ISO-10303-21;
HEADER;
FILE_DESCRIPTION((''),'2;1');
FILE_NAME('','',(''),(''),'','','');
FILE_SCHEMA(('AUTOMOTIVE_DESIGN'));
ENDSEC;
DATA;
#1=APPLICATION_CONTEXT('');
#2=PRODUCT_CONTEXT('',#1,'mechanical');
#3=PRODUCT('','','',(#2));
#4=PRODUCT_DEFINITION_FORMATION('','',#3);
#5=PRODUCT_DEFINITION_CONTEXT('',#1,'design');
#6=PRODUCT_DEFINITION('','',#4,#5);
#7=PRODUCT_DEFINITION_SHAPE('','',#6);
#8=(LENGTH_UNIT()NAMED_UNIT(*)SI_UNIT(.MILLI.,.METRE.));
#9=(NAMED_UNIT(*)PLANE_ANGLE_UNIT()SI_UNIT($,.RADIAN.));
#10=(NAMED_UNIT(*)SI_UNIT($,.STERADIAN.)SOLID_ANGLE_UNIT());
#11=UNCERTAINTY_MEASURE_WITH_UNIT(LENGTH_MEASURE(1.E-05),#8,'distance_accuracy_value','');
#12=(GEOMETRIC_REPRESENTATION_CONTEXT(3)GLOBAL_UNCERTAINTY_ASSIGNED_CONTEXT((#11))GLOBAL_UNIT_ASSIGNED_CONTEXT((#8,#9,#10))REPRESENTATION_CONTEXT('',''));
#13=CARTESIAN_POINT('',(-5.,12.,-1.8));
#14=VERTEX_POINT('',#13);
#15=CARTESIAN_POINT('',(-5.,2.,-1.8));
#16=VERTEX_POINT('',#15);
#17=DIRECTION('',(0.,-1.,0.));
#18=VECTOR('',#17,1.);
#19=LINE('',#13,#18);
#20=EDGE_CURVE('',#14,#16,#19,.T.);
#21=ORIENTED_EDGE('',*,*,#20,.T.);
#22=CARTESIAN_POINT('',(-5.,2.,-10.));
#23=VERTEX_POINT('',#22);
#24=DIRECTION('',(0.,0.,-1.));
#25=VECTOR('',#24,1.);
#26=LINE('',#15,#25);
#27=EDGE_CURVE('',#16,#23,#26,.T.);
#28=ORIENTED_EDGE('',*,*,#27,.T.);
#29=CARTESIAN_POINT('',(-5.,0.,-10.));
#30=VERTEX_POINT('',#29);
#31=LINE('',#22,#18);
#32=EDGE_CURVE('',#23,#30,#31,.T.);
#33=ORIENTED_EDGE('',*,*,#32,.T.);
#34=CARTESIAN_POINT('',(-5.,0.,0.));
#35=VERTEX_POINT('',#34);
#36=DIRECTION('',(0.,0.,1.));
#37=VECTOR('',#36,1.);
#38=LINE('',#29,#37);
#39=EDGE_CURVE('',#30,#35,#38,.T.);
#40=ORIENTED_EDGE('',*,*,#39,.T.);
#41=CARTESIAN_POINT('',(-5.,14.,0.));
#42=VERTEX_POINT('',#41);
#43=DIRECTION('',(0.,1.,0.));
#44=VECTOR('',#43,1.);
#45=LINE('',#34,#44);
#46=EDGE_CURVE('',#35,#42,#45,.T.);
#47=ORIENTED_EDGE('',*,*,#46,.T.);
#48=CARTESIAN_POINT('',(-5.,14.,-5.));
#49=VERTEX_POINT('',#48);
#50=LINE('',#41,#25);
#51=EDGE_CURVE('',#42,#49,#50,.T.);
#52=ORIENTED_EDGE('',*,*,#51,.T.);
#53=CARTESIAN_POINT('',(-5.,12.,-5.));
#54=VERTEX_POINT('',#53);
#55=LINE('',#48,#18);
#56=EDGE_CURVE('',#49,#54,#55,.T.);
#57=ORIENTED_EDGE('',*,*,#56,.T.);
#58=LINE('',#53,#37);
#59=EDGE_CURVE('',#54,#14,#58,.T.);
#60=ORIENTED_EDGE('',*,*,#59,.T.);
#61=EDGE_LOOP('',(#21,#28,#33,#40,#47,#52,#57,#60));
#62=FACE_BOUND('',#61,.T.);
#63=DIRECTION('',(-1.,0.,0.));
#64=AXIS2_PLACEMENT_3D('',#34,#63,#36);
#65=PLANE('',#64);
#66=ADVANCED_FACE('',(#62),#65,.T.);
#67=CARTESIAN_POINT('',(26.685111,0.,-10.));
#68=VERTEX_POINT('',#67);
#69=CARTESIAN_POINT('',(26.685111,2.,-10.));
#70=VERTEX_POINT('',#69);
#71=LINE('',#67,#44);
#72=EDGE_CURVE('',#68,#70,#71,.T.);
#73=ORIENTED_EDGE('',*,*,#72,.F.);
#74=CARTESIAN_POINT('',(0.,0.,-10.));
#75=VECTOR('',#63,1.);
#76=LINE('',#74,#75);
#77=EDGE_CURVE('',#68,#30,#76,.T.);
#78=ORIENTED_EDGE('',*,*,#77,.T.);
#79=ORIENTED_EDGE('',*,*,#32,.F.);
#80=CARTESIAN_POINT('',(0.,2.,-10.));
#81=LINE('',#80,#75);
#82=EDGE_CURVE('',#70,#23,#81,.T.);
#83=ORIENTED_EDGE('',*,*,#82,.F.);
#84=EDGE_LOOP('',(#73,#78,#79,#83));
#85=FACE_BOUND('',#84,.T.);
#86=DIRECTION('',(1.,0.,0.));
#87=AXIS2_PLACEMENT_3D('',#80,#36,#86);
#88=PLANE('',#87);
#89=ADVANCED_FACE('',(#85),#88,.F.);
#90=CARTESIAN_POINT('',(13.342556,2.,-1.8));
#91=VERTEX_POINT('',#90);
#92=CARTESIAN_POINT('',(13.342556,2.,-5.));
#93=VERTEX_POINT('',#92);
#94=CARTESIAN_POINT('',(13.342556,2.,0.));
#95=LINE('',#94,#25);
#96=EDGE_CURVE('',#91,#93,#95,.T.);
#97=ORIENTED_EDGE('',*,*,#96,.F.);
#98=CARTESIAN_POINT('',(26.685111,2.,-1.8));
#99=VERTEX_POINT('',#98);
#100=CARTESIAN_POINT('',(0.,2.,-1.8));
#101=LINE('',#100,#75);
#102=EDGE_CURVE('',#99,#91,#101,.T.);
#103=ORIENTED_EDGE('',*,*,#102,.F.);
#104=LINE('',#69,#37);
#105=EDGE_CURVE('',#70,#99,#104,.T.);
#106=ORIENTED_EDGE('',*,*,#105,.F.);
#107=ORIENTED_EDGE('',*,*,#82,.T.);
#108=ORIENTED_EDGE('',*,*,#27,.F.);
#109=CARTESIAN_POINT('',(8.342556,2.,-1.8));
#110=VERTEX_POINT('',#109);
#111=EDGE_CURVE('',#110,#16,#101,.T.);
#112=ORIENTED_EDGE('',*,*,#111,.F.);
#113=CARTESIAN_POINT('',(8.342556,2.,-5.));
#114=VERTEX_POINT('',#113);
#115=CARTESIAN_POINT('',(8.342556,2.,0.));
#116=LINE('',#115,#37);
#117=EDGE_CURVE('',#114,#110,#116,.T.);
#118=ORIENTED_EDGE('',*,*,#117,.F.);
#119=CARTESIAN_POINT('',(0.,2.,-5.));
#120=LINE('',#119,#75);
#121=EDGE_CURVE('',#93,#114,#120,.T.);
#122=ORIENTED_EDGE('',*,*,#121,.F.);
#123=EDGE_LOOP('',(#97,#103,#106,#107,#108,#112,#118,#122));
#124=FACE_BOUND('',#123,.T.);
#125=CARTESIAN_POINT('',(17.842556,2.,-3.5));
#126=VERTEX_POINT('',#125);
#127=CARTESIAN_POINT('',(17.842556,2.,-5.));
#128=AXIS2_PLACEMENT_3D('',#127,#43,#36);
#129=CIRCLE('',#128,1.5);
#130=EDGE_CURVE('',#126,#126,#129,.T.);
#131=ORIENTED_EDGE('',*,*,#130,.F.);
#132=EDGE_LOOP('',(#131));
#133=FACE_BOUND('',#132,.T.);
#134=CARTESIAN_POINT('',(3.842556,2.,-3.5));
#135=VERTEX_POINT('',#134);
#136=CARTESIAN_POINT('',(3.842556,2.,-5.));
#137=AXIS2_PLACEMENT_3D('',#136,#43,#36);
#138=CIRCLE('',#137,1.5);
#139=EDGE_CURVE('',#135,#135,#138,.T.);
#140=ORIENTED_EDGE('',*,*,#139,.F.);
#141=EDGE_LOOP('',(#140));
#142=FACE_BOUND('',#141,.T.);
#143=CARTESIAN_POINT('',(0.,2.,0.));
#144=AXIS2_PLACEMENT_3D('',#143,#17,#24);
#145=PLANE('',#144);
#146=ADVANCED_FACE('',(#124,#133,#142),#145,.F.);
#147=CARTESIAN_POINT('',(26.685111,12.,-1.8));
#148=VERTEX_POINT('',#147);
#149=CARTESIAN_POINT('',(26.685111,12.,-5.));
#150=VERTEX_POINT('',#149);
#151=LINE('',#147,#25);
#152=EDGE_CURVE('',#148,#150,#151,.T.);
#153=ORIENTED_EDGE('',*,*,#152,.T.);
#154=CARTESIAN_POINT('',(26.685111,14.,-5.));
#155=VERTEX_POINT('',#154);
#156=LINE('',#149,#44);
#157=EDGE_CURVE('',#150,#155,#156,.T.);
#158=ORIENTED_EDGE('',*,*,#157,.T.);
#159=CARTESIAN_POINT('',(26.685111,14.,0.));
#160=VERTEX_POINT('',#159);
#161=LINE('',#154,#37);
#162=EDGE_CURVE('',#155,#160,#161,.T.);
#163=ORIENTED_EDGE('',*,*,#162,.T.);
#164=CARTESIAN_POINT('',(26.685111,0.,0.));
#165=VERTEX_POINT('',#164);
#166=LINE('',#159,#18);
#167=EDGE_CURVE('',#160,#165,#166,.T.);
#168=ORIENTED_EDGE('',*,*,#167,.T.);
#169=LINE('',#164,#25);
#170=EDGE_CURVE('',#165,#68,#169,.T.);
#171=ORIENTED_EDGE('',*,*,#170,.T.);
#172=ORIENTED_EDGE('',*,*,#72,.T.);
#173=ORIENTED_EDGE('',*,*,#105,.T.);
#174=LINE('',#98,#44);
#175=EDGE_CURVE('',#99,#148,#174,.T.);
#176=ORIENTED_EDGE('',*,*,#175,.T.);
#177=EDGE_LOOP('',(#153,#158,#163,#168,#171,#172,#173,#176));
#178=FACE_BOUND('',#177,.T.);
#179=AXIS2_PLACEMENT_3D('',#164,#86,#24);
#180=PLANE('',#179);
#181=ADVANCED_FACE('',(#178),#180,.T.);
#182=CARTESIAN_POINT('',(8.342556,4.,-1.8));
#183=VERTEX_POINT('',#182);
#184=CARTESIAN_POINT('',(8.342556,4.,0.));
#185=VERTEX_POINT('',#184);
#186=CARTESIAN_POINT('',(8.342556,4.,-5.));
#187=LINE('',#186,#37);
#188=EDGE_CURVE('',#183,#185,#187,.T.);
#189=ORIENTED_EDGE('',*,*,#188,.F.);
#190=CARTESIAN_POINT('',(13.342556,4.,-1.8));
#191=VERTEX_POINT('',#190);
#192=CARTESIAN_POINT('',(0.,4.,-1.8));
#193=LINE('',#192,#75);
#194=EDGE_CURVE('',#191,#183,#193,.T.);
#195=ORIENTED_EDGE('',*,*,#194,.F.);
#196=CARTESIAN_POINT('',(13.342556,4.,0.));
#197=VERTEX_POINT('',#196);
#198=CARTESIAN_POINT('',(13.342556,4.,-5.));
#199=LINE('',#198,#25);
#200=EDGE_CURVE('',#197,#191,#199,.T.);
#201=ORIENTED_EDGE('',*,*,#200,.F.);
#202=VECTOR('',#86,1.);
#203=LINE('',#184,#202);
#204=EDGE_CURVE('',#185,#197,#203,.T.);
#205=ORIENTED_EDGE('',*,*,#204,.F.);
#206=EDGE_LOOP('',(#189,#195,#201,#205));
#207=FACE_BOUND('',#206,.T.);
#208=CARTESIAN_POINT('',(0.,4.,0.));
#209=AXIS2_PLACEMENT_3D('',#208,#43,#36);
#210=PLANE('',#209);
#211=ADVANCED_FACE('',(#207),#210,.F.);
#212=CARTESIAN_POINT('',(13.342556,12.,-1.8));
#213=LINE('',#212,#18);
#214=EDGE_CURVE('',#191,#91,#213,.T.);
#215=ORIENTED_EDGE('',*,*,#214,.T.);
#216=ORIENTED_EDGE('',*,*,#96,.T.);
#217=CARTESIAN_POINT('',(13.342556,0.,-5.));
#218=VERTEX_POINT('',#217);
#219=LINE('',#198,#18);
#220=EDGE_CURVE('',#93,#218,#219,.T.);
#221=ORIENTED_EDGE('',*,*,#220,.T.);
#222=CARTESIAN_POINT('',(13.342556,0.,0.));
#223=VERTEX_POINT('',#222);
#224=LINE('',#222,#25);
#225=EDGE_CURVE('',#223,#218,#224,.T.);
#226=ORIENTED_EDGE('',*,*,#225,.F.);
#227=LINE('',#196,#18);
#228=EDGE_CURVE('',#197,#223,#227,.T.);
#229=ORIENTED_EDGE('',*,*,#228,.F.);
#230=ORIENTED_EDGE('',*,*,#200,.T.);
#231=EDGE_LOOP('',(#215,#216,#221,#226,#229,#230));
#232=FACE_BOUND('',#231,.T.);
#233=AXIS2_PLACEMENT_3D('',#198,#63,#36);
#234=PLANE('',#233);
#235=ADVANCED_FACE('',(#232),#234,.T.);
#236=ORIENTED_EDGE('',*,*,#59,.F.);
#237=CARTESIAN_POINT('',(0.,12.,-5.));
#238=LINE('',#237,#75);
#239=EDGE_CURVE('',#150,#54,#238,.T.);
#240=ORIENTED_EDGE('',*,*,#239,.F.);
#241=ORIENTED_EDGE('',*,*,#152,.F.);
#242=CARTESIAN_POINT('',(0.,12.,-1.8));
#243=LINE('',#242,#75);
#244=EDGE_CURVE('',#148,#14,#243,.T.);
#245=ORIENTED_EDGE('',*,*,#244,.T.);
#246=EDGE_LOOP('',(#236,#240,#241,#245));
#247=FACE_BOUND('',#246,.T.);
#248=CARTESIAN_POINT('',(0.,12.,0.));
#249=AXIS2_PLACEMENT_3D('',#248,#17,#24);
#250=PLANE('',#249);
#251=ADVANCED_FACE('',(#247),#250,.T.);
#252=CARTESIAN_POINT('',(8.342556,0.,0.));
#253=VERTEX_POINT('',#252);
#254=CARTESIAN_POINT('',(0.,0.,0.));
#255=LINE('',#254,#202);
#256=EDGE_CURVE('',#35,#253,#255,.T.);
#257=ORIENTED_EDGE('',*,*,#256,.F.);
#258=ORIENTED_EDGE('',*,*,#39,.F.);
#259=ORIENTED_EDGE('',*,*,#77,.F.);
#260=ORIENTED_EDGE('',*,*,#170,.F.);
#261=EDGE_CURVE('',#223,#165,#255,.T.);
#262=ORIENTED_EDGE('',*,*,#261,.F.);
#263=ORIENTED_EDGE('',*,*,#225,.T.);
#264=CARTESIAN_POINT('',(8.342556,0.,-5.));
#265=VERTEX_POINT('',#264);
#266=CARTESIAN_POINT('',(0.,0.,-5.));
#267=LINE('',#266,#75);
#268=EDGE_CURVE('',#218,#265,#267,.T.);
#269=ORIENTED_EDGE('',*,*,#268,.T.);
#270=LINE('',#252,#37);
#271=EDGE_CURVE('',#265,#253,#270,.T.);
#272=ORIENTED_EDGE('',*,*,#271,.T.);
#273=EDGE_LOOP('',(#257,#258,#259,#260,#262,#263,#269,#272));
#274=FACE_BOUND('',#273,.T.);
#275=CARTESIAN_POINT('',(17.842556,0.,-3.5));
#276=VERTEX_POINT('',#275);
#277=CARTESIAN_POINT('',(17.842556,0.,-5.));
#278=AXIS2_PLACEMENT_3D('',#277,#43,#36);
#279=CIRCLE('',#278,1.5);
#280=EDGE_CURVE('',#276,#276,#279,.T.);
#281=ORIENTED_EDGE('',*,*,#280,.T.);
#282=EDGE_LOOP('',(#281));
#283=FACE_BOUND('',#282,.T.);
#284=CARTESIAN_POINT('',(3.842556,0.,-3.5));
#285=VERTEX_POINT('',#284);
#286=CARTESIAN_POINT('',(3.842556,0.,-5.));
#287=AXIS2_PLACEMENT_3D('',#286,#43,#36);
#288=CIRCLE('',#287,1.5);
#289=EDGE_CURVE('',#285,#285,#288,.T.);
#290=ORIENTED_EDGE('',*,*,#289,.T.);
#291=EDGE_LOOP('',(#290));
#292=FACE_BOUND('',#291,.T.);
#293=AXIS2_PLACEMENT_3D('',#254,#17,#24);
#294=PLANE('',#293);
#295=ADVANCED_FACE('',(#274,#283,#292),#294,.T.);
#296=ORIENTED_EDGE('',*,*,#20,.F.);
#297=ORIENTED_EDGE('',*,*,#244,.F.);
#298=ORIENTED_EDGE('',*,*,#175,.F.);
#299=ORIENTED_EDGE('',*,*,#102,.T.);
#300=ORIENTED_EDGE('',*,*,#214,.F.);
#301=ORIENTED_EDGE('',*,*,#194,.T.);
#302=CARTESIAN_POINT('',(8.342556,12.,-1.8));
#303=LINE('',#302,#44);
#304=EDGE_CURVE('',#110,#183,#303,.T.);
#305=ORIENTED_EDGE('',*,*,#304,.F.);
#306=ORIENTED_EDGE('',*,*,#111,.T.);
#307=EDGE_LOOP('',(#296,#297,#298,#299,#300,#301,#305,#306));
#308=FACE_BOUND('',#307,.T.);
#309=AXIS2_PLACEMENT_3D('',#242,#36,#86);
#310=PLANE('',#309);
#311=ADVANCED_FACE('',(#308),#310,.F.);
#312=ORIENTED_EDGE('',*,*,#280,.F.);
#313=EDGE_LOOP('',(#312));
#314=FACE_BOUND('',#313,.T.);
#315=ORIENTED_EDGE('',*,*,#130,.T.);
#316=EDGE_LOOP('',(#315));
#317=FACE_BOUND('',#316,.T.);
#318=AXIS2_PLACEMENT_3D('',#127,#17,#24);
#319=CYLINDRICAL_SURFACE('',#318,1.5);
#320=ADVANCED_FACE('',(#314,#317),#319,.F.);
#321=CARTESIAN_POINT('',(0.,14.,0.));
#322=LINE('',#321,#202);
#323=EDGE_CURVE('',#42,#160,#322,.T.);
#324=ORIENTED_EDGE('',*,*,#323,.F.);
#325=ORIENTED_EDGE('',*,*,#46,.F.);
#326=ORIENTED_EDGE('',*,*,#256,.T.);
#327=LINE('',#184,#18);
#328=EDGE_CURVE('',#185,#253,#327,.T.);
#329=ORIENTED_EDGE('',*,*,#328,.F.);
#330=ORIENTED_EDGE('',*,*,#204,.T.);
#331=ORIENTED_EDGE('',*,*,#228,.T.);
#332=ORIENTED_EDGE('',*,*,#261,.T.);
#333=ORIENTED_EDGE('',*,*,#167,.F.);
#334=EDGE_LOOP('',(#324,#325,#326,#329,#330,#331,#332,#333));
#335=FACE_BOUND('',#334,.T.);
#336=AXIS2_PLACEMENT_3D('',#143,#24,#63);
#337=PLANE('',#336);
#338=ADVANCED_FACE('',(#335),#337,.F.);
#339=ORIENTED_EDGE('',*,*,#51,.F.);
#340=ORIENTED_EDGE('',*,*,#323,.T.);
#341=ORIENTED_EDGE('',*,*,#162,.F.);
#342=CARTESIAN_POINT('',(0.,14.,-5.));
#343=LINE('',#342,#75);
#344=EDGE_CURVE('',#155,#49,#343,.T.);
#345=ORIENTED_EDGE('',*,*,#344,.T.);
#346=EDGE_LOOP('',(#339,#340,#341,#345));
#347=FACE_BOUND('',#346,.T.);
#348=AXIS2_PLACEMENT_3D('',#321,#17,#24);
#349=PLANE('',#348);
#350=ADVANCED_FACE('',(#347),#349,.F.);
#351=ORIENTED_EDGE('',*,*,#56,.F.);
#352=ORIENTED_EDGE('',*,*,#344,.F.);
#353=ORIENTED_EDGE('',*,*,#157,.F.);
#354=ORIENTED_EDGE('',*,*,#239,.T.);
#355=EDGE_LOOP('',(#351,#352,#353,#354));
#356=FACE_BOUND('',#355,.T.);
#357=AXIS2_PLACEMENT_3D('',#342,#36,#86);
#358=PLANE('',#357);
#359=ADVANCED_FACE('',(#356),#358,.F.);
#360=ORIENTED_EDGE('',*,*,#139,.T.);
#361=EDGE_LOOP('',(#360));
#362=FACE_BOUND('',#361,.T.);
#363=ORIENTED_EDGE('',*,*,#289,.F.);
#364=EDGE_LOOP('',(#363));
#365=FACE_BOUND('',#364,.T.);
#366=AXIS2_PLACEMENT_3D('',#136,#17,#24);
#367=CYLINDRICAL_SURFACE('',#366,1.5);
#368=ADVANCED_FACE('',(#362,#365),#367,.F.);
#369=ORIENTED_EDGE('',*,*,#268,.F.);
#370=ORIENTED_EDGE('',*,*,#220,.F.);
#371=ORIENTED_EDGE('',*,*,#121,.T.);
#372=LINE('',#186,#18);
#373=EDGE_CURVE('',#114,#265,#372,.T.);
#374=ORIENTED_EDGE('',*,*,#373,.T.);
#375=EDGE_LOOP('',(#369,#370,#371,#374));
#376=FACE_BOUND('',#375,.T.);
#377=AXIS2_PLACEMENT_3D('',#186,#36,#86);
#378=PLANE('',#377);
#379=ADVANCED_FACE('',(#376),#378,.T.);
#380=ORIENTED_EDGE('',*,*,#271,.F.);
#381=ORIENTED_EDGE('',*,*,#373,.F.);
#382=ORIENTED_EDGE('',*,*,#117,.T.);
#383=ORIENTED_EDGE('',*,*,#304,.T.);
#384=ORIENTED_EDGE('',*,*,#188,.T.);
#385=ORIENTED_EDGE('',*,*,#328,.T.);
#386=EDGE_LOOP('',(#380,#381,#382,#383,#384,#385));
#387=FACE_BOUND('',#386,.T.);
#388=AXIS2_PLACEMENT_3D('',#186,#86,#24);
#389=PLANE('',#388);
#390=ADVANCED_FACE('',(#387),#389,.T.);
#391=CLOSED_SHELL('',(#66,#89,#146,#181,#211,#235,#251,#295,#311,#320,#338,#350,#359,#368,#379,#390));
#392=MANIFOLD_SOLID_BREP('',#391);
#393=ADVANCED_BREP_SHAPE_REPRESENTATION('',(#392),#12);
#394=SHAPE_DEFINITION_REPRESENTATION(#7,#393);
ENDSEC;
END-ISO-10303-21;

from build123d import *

# Parameters (mm, degrees)
CROQUIS2_W                 = 21.685111185
CROQUIS2_H                 = 10
CROQUIS2_R                 = 1.5
SALIENTE_EXTRUIR1_DEPTH    = 2
CROQUIS3_W                 = 21.685111185
CROQUIS3_H                 = 1.8
SALIENTE_EXTRUIR2_DEPTH    = 10
CORTAR_EXTRUIR1_DEPTH      = 2
CORTAR_EXTRUIR1_DEPTH_BACK = 10
CROQUIS4_W                 = 5
CROQUIS4_H                 = 5
CROQUIS7_W                 = 21.685111185
CROQUIS7_H                 = 5
SALIENTE_EXTRUIR4_DEPTH    = 2
SALIENTE_EXTRUIR5_DEPTH    = 5
SALIENTE_EXTRUIR6_DEPTH    = 5


with BuildPart() as part:
    # Croquis2 → Saliente-Extruir1 (new body)
    with BuildSketch(Plane(origin=(0, 0, 0), x_dir=(1, 0, 0), z_dir=(0, 1, 0))):
        with Locations((10.842555593, 5)):
            Rectangle(CROQUIS2_W, CROQUIS2_H)
        with Locations(Location((3.842555592, 5, 0), (0, 0, 270))):
            Circle(CROQUIS2_R, mode=Mode.SUBTRACT)
        with Locations(Location((17.842555592, 5, 0), (0, 0, 270))):
            Circle(CROQUIS2_R, mode=Mode.SUBTRACT)
    extrude(amount=SALIENTE_EXTRUIR1_DEPTH)

    # Croquis3 → Saliente-Extruir2 (add)
    with BuildSketch(Plane(origin=(0, 2, 0), x_dir=(1, 0, 0), z_dir=(0, 1, 0))):
        with Locations((10.842555593, 0.9)):
            Rectangle(CROQUIS3_W, CROQUIS3_H)
    extrude(amount=SALIENTE_EXTRUIR2_DEPTH)

    # Croquis4 → Cortar-Extruir1 (cut, two sides: drawn at the far end of the back side and taken through both)
    with BuildSketch(Plane(origin=(0, 2, 0), x_dir=(1, 0, 0), z_dir=(0, 1, 0)).offset(-CORTAR_EXTRUIR1_DEPTH_BACK)):
        with Locations((10.842555592, 2.5)):
            Rectangle(CROQUIS4_W, CROQUIS4_H)
    extrude(amount=CORTAR_EXTRUIR1_DEPTH + CORTAR_EXTRUIR1_DEPTH_BACK, mode=Mode.SUBTRACT)

    # Croquis7 → Saliente-Extruir4 (add)
    with BuildSketch(Plane(origin=(0, 12, 0), x_dir=(1, 0, 0), z_dir=(0, 1, 0))):
        with Locations((10.842555593, 2.5)):
            Rectangle(CROQUIS7_W, CROQUIS7_H)
    extrude(amount=SALIENTE_EXTRUIR4_DEPTH)

    # Croquis8 → Saliente-Extruir5 (add)
    with BuildSketch(Plane.ZY):
        Polygon((-10, 0), (0, 0), (0, 14), (-5, 14), (-5, 12), (-1.8, 12), (-1.8, 2), (-10, 2), align=None)
    extrude(amount=SALIENTE_EXTRUIR5_DEPTH)

    # Croquis9 → Saliente-Extruir6 (add)
    with BuildSketch(Plane(origin=(21.685111185, 0, 0), x_dir=(0, 0, -1), z_dir=(1, 0, 0))):
        Polygon((0, 0), (10, 0), (10, 2), (1.8, 2), (1.8, 12), (5, 12), (5, 14), (0, 14), align=None)
    extrude(amount=SALIENTE_EXTRUIR6_DEPTH)


solid = part.part
